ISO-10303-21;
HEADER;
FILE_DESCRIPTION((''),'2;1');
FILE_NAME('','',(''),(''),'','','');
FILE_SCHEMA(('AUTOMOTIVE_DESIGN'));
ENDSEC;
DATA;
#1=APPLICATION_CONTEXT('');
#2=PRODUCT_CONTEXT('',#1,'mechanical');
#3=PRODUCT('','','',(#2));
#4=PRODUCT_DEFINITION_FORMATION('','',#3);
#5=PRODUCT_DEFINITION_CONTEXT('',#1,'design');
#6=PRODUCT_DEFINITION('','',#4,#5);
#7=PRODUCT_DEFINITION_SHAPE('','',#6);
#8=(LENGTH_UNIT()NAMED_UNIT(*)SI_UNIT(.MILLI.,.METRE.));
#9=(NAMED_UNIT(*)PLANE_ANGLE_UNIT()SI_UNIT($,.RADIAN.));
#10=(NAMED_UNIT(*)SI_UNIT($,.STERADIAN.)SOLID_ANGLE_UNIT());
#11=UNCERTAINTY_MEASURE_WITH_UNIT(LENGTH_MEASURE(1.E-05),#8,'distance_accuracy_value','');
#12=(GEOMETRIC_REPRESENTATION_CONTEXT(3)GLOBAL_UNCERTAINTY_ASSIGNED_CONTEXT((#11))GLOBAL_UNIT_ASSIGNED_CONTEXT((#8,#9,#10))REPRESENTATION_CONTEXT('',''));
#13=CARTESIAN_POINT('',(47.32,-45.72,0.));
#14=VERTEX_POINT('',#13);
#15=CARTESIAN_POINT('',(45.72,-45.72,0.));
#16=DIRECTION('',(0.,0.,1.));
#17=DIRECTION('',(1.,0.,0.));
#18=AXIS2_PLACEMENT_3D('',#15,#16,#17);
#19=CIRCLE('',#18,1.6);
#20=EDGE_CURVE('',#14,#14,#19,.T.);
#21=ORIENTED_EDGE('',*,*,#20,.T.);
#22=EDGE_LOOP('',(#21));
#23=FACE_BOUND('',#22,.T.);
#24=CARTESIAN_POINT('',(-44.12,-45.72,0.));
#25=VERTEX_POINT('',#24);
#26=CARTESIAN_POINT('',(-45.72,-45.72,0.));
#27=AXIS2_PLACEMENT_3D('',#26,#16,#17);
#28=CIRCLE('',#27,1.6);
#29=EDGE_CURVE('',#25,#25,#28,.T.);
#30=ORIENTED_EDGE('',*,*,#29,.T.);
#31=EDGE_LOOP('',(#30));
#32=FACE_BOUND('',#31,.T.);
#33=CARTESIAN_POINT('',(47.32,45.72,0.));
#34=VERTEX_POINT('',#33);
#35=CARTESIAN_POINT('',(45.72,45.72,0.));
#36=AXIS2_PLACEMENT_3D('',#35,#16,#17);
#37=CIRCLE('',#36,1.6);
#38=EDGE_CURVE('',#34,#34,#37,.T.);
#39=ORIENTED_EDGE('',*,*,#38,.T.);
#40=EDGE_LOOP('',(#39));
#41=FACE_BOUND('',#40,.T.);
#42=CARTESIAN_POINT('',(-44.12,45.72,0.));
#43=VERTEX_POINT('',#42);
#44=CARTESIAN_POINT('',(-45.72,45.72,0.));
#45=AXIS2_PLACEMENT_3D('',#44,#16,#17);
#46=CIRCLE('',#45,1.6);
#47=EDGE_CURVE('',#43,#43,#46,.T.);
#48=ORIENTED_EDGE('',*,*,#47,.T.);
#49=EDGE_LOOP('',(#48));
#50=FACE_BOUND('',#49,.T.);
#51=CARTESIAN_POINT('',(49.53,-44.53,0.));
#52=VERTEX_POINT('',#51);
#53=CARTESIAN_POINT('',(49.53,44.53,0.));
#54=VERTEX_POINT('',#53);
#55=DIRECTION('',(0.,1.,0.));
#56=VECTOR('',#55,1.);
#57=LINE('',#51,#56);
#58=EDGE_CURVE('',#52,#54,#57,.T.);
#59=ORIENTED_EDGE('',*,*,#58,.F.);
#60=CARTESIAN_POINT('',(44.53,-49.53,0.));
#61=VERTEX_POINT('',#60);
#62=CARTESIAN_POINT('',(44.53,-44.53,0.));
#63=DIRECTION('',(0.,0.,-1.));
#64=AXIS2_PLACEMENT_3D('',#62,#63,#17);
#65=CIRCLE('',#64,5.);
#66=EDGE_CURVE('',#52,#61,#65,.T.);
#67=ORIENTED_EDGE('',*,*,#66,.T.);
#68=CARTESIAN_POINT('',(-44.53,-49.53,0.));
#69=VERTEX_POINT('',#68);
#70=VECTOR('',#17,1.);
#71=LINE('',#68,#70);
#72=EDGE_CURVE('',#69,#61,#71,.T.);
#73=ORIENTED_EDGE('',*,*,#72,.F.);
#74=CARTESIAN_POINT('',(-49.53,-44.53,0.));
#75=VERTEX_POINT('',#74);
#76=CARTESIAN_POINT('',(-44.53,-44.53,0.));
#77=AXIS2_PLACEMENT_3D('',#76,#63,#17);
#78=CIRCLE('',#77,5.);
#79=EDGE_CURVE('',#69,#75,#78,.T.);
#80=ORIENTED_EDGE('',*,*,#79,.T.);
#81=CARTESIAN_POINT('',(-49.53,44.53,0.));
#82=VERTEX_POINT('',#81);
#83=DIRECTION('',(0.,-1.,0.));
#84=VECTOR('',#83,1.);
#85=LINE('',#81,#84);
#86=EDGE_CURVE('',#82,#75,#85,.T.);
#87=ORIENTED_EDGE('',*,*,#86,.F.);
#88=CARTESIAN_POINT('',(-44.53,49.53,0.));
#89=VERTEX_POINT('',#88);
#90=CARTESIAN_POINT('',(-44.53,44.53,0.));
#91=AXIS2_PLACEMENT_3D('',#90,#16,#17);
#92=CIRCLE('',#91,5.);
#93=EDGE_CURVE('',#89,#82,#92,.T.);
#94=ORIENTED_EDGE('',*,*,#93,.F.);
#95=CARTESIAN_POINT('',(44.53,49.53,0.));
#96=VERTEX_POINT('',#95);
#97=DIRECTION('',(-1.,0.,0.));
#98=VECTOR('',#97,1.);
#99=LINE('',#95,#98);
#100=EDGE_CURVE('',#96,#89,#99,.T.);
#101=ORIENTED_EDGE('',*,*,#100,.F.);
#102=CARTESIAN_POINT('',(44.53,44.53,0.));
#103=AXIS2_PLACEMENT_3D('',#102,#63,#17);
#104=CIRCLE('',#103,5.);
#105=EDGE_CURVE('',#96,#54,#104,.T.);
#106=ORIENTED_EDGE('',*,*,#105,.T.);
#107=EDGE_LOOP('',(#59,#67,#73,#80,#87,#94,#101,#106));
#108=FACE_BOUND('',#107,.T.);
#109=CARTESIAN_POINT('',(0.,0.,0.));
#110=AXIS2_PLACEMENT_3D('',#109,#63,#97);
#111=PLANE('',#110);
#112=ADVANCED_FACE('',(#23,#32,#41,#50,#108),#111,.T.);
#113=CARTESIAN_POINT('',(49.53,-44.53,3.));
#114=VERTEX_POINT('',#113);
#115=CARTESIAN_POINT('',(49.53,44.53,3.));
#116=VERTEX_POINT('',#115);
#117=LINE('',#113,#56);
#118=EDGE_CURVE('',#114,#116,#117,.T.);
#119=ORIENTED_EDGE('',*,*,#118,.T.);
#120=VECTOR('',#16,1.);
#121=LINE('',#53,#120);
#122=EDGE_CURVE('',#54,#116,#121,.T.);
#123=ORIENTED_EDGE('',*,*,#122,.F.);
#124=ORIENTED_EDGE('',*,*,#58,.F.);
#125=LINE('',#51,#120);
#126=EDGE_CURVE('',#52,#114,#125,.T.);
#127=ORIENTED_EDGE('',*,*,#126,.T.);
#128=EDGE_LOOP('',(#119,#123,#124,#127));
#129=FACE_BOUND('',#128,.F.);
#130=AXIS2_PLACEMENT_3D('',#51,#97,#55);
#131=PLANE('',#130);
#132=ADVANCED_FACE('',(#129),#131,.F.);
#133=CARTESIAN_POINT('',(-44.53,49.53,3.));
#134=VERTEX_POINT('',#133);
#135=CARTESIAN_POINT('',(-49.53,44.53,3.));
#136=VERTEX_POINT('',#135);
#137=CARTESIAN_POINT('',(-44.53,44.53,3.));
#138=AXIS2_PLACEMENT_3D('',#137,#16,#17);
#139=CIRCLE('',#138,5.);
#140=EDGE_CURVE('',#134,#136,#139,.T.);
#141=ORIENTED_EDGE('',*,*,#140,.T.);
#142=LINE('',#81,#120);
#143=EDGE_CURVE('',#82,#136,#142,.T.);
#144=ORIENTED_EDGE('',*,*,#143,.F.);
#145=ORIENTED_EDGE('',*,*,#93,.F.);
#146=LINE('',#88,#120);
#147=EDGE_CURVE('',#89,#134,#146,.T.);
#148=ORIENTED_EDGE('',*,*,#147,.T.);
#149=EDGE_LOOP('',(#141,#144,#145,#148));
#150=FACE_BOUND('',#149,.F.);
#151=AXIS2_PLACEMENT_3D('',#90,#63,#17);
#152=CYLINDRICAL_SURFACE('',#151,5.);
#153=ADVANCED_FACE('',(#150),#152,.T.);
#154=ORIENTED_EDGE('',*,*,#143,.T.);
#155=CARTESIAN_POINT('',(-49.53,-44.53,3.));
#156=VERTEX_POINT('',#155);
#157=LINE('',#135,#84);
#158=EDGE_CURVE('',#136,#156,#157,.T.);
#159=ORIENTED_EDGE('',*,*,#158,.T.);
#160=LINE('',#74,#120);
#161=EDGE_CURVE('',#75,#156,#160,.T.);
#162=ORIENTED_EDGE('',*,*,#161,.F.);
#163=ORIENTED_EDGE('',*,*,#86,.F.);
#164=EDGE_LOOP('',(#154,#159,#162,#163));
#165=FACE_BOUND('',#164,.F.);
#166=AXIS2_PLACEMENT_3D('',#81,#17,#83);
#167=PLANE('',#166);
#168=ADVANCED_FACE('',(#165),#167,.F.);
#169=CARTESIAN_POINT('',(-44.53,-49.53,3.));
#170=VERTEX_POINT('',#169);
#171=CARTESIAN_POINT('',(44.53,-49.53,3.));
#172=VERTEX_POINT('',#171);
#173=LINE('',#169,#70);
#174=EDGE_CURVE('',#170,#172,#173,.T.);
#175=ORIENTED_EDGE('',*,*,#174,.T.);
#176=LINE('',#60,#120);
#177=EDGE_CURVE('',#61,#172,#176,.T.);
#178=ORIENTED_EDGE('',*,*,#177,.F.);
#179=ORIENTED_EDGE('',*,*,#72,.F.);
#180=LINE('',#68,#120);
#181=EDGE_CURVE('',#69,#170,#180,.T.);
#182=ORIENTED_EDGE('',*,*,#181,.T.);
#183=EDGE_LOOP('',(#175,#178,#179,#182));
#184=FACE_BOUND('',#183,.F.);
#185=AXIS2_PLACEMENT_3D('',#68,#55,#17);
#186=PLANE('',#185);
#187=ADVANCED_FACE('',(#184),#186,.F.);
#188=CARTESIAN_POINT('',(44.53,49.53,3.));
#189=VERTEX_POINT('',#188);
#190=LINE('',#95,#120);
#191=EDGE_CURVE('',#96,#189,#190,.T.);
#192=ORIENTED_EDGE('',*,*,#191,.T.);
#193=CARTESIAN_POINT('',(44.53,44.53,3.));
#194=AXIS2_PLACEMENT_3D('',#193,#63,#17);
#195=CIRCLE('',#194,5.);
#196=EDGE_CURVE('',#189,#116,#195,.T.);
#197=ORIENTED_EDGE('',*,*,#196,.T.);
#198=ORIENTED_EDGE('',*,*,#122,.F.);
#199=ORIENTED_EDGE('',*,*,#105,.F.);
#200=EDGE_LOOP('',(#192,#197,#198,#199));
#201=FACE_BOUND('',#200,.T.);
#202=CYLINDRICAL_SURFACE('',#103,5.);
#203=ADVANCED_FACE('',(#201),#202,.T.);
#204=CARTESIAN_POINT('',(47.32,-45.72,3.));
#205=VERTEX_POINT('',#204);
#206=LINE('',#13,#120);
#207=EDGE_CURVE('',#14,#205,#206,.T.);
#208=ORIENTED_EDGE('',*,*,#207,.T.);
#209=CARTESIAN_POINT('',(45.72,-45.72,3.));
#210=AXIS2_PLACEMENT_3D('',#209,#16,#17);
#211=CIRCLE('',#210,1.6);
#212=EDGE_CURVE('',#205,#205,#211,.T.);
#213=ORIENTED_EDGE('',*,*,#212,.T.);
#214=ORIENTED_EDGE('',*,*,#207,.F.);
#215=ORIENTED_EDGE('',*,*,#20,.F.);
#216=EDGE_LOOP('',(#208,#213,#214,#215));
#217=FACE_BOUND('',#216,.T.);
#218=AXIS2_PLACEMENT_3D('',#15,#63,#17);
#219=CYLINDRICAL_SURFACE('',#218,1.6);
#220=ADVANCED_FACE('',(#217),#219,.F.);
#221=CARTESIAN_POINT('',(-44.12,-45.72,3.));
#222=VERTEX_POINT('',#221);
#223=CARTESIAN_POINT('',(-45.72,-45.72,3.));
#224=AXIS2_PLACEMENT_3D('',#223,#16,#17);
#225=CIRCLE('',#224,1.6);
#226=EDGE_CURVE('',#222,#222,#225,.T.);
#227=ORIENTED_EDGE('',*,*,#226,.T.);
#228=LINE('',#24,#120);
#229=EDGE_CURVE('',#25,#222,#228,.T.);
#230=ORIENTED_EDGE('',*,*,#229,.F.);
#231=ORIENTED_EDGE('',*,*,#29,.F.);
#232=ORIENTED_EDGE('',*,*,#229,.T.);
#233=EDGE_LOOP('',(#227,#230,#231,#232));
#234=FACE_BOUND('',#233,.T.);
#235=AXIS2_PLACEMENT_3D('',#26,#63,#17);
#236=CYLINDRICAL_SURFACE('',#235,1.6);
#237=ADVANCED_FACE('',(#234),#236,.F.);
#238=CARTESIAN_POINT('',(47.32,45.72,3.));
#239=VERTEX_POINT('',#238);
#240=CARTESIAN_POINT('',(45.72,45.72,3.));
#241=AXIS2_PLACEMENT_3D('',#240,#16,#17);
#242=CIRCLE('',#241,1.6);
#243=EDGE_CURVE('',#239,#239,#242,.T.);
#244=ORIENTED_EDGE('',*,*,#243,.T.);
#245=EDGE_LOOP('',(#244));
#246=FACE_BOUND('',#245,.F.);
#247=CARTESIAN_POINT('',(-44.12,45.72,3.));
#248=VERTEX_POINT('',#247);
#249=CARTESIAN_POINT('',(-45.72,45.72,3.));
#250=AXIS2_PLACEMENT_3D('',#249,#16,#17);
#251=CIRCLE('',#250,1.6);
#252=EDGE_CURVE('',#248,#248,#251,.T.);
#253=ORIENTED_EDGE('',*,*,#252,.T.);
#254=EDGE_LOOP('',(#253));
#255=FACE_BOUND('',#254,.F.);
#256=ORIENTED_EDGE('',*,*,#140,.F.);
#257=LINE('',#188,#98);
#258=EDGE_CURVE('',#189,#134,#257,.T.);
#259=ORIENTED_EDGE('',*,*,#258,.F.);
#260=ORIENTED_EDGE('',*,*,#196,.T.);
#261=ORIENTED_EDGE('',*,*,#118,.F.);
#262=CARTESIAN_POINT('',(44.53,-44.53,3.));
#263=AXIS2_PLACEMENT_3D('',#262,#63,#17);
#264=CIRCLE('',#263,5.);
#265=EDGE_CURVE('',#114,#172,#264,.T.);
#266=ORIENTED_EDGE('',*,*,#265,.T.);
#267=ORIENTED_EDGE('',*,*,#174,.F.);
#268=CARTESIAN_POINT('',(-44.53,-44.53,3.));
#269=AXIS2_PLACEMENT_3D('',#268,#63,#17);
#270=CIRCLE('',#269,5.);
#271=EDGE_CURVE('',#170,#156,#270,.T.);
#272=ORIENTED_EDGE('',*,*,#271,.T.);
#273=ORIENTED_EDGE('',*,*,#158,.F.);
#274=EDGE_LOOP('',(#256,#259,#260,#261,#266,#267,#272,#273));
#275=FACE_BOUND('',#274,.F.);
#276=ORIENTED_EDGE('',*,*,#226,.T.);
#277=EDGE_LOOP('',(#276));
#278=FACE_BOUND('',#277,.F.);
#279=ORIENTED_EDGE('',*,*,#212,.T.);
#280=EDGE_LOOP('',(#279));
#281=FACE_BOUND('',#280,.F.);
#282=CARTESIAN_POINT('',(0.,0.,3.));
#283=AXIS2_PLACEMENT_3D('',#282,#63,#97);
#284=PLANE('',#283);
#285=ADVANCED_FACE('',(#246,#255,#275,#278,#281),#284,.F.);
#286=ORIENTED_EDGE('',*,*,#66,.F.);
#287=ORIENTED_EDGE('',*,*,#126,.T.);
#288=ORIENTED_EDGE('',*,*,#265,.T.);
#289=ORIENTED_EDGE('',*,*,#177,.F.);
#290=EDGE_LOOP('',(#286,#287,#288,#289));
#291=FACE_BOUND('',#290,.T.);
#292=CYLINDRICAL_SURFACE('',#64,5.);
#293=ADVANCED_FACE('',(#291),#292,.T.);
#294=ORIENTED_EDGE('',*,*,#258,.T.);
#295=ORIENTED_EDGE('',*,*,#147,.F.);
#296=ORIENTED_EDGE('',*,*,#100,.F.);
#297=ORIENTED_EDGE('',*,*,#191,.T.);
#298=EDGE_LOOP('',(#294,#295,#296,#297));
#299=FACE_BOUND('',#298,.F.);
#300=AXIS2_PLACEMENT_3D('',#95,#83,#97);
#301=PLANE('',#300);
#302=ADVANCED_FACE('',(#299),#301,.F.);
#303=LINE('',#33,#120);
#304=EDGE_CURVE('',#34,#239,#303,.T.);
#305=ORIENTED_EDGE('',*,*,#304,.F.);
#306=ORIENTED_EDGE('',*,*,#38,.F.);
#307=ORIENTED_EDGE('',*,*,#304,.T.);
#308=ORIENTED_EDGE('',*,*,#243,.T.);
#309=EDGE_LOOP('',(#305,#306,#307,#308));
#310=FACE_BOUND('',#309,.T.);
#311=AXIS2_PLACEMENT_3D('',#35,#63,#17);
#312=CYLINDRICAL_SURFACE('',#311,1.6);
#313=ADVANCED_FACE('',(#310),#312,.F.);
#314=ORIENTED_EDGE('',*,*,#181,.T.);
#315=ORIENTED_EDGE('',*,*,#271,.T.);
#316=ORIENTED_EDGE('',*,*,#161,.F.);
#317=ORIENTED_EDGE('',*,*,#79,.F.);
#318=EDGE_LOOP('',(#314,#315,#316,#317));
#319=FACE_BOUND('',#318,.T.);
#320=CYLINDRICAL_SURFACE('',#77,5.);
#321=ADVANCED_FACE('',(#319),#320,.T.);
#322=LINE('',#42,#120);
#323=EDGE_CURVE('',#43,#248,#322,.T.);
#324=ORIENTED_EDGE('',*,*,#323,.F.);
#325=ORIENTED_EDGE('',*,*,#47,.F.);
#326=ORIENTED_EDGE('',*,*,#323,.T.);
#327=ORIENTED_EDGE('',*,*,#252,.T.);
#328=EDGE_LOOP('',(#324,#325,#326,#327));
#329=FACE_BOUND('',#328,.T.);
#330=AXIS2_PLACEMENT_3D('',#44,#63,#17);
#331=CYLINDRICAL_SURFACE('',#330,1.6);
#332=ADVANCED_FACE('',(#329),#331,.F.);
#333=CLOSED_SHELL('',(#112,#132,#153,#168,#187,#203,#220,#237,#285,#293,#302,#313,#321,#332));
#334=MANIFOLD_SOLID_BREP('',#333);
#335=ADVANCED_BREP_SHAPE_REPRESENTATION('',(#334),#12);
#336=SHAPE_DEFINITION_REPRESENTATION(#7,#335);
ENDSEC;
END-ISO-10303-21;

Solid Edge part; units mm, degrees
sketch "Sketch1" plane through (0, 0, 0) normal (0, 0, 1) x (1, 0, 0)
  circle A0 centre (45.72, -45.72) radius 1.6
  arc A1 (49.53, -44.53) -> (44.53, -49.53) centre (44.53, -44.53) cw
  line L0 (-44.53, -49.53) -> (44.53, -49.53)
  arc A2 (-44.53, -49.53) -> (-49.53, -44.53) centre (-44.53, -44.53) cw
  line L1 (-49.53, 44.53) -> (-49.53, -44.53)
  arc A3 (-44.53, 49.53) -> (-49.53, 44.53) centre (-44.53, 44.53) ccw
  line L2 (44.53, 49.53) -> (-44.53, 49.53)
  arc A4 (44.53, 49.53) -> (49.53, 44.53) centre (44.53, 44.53) cw
  line L3 (49.53, -44.53) -> (49.53, 44.53)
  circle A5 centre (45.72, 45.72) radius 1.6
  circle A6 centre (-45.72, -45.72) radius 1.6
  circle A7 centre (-45.72, 45.72) radius 1.6
  dimension "D1" = 3.2
  dimension "D2" = 89.06
  dimension "D3" = 89.06
  dimension "D4" = 5
  dimension "D5" = 5
  dimension "D6" = 5
  dimension "D7" = 5
  dimension "D8" = 3.81
  dimension "D9" = 3.81
  dimension "D10" = 3.81
  dimension "D11" = 3.81
  dimension "D12" = 3.81
  dimension "D13" = 3.81
  dimension "D14" = 3.81
  dimension "D15" = 3.81
extrude "Protrusion1" add sketch "Sketch1" along normal blind 3
properties material "Acrylic, high impact grade"
